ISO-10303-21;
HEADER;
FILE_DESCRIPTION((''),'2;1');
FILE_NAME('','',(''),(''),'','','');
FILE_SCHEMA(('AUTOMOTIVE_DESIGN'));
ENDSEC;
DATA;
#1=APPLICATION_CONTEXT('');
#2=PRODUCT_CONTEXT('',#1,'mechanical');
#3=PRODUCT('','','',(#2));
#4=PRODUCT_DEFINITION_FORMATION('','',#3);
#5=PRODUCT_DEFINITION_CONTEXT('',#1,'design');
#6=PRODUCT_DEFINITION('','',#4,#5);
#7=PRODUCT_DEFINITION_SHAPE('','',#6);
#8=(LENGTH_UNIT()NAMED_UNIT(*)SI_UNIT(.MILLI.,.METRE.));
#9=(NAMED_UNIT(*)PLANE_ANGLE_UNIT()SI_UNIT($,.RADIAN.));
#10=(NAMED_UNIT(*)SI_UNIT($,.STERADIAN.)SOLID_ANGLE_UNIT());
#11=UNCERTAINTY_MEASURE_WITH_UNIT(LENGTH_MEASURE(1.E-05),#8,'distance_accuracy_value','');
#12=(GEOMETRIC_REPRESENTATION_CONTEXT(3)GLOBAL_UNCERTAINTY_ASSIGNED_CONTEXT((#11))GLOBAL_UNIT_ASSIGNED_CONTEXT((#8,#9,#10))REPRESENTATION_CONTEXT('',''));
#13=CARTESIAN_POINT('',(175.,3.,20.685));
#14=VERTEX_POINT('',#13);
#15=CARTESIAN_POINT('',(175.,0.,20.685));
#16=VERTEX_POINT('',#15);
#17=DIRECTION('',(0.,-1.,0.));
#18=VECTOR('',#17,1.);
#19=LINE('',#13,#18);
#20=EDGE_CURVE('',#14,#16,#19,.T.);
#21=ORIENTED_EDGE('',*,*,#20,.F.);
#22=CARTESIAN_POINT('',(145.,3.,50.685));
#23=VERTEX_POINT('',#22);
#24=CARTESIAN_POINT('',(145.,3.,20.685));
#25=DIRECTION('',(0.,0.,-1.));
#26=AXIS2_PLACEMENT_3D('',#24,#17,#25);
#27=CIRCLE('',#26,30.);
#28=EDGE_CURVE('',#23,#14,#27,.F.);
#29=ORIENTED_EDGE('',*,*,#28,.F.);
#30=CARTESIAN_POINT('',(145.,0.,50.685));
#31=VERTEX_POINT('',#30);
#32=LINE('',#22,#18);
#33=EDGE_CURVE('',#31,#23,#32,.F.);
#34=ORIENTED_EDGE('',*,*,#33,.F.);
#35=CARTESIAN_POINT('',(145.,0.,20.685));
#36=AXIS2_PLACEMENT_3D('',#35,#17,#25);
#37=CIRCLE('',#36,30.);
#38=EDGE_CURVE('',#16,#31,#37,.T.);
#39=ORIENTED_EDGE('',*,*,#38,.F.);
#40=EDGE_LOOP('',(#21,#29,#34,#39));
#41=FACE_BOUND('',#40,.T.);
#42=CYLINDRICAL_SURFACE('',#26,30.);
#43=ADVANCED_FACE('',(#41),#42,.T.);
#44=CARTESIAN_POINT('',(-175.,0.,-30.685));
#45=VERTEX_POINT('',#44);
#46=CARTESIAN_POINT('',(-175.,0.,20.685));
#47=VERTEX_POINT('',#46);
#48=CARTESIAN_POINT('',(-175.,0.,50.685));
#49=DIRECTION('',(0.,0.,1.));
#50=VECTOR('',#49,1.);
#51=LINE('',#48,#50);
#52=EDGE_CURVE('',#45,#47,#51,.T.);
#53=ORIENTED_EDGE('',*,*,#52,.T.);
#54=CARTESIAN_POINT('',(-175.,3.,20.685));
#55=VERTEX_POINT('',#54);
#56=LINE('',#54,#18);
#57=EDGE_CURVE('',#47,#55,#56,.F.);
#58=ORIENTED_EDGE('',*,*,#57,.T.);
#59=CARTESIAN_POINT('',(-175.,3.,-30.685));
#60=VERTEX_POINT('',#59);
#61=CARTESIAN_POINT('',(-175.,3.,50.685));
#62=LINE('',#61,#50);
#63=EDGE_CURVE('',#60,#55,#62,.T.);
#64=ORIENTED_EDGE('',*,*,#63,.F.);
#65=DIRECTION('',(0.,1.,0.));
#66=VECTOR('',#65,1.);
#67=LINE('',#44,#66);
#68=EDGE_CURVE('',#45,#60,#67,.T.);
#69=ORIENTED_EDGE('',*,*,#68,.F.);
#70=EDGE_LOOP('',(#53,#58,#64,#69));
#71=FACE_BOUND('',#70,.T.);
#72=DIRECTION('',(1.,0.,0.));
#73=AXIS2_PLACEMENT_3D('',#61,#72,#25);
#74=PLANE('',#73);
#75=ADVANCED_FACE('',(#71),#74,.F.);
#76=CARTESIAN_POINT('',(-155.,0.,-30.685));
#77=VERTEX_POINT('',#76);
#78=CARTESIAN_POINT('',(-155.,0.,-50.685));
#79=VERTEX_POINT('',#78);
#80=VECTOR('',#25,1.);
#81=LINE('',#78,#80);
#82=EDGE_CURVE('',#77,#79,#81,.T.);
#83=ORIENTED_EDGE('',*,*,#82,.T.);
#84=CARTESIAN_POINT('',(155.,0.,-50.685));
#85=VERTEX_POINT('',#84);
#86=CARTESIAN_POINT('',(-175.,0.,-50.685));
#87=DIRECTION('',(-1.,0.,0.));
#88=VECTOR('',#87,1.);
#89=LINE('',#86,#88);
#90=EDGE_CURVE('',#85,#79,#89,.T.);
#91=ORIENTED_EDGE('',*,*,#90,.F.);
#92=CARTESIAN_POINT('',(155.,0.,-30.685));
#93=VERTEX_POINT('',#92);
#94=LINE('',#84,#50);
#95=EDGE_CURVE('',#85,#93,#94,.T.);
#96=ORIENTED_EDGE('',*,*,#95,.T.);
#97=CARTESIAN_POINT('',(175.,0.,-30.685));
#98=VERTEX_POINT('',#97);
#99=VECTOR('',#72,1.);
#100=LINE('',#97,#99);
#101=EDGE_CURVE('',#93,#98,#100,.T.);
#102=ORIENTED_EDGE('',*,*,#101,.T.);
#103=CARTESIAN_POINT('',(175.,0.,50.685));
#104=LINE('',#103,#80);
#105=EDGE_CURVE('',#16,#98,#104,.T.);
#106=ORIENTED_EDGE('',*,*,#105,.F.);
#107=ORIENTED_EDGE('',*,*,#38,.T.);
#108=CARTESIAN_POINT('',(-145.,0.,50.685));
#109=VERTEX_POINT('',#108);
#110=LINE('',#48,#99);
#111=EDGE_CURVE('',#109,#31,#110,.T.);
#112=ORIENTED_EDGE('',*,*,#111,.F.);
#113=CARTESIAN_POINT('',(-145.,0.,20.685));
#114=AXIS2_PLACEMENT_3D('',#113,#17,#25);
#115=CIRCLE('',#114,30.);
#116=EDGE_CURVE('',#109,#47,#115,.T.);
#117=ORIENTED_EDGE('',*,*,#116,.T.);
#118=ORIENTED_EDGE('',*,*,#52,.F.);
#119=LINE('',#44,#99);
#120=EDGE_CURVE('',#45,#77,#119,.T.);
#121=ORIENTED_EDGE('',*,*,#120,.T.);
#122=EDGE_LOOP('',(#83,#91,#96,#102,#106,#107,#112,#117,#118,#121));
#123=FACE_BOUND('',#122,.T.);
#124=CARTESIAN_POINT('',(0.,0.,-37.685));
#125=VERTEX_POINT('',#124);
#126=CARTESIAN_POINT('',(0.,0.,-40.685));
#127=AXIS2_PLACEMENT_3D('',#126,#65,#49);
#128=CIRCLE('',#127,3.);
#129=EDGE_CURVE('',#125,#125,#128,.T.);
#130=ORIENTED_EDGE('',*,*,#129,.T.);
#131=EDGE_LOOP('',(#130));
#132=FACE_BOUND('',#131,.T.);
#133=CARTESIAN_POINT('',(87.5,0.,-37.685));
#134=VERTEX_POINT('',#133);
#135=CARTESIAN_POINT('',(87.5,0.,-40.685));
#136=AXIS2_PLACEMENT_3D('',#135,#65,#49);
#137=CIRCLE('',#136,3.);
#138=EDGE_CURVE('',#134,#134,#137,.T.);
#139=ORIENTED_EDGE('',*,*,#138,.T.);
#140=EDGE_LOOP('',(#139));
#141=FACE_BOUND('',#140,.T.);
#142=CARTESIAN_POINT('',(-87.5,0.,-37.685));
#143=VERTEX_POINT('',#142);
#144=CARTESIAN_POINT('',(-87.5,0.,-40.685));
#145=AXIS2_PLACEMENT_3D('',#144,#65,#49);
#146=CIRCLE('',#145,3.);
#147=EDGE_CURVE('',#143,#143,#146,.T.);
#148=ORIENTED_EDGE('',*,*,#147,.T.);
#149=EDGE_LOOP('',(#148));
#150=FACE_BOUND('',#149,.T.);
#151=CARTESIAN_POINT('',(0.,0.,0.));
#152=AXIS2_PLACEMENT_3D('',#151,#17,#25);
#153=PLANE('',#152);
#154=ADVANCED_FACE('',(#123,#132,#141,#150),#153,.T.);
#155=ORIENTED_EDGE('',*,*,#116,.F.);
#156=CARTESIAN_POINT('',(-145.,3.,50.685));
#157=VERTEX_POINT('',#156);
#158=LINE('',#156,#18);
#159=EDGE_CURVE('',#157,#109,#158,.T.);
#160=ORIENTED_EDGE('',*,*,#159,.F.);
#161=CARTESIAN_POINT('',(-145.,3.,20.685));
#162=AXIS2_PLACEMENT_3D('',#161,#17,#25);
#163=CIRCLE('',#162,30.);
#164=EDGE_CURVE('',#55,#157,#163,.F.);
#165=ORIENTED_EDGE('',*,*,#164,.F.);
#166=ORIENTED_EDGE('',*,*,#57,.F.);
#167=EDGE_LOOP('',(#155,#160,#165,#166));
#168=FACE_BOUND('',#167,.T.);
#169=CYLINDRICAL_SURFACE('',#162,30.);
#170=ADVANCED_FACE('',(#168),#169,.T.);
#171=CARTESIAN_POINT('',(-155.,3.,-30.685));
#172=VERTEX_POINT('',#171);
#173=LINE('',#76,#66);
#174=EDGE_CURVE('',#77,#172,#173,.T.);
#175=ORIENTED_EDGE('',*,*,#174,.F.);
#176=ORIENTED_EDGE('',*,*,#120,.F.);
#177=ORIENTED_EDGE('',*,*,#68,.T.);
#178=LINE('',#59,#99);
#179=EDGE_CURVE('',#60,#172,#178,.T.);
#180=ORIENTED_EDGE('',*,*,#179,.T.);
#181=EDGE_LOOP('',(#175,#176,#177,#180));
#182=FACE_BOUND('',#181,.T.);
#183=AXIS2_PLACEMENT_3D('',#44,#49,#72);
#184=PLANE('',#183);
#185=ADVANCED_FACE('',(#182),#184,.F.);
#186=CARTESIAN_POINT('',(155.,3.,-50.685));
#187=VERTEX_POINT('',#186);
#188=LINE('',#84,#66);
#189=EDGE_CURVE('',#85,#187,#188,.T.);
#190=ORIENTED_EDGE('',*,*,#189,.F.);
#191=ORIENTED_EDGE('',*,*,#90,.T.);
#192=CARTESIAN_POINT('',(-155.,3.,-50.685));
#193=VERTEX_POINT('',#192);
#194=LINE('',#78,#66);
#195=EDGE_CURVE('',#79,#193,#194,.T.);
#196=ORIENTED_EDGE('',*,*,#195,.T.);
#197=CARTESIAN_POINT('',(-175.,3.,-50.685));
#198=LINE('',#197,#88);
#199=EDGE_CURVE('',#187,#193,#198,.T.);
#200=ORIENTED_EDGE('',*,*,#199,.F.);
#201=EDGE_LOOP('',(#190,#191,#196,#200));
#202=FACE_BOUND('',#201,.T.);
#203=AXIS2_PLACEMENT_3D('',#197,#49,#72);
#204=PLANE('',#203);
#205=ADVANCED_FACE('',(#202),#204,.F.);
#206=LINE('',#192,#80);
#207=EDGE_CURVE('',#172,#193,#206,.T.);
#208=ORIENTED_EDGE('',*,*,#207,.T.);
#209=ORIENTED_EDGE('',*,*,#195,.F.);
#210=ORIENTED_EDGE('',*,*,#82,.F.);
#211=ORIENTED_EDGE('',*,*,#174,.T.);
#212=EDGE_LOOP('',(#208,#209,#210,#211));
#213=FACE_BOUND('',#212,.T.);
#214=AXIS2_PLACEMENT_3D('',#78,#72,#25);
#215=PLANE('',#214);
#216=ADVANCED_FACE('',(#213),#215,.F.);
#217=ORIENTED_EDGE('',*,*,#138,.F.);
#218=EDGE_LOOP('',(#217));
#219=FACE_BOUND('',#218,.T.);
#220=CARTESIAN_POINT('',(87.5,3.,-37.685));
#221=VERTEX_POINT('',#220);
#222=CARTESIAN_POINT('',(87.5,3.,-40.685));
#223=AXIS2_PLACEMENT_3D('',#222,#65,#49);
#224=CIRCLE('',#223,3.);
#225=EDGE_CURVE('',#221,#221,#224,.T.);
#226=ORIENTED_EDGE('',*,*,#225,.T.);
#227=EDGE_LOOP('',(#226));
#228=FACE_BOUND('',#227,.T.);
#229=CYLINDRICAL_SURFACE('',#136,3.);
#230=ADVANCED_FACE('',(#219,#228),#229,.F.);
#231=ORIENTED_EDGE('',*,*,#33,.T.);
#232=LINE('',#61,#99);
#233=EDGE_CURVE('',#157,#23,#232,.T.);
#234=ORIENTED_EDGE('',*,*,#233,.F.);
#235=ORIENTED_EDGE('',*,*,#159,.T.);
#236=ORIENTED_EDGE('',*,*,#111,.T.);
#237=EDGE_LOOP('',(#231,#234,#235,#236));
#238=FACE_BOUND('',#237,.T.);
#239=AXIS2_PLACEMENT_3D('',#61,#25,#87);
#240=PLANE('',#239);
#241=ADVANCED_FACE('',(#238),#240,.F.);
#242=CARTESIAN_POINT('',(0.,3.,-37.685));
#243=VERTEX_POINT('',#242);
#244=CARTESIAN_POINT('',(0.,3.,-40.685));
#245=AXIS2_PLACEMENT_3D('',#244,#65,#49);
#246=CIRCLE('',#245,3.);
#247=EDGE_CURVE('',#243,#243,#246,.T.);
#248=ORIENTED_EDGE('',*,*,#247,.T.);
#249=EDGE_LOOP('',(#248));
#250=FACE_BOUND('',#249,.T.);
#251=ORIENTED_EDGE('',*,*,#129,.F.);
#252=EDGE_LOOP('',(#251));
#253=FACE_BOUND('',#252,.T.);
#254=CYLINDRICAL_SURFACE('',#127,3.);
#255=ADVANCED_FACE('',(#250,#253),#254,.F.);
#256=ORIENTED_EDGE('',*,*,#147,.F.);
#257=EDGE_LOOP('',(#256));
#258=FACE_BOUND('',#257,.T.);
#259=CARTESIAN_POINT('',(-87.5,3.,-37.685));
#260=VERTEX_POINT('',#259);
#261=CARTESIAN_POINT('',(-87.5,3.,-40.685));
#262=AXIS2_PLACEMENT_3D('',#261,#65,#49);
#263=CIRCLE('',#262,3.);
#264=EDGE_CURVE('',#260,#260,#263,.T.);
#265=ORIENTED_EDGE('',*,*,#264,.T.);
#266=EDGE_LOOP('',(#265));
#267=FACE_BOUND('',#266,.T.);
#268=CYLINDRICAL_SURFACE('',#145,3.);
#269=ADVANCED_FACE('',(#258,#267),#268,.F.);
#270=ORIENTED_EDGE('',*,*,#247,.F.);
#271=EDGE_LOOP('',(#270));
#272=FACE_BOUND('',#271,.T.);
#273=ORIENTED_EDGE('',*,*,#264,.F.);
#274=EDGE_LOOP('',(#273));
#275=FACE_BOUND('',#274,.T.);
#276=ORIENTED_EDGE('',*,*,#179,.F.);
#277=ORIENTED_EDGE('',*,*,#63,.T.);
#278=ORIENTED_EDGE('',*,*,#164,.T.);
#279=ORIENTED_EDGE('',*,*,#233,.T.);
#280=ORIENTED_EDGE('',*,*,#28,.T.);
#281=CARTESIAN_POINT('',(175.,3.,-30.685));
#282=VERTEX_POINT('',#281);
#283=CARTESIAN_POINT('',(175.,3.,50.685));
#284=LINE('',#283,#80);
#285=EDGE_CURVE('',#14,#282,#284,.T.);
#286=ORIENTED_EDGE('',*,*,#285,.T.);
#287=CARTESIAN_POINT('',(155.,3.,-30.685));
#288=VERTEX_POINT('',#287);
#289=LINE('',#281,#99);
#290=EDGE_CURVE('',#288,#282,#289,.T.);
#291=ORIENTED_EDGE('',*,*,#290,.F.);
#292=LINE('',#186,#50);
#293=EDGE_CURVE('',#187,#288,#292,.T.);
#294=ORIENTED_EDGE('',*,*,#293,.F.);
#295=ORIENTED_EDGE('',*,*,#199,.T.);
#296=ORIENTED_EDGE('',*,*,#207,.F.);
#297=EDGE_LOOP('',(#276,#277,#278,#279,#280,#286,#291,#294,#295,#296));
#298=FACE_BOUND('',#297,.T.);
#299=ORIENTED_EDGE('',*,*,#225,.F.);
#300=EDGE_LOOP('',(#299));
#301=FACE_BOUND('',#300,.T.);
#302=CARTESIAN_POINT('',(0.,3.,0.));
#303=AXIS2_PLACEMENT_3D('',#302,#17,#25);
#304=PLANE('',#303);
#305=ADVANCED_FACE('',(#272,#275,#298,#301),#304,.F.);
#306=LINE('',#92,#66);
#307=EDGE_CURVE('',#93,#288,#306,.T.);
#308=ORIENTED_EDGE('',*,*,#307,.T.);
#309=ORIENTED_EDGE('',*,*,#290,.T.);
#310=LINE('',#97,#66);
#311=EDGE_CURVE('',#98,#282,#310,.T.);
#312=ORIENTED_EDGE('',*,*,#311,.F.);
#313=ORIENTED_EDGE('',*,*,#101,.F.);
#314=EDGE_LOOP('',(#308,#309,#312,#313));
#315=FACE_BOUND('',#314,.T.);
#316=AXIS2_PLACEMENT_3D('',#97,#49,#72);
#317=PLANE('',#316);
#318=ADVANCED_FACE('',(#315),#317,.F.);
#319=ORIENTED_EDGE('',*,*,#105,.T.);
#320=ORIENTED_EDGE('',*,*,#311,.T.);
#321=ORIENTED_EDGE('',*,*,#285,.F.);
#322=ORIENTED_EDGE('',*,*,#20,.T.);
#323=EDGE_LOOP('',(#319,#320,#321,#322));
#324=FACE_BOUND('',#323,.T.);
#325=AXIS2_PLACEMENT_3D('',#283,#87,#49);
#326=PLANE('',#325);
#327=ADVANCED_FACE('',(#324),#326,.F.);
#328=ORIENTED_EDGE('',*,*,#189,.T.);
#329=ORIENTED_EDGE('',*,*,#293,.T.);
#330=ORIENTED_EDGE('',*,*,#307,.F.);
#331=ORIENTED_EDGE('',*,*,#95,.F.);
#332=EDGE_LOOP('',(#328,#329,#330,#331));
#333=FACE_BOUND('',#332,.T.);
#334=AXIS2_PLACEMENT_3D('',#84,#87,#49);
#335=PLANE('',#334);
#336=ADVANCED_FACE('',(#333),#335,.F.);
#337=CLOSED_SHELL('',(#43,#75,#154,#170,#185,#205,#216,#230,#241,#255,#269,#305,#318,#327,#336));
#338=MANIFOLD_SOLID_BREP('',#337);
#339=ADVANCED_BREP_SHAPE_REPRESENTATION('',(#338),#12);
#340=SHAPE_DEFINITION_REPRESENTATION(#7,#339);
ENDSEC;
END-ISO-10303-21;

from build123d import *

# Parameters (mm, degrees)
SKETCH_1_W          = 350
SKETCH_1_H          = 101.37
EXTRUDE_1_DEPTH     = 3
SKETCH_2_R          = 3
SKETCH_2_W          = 20
SKETCH_2_H          = 20
CUT_EXTRUDE_1_DEPTH = 183.21681927
FILLET_1_R          = 30


with BuildPart() as part:
    # 草圖1 → 填料-伸長1 (new body)
    with BuildSketch(Plane(origin=(0, 0, 0), x_dir=(1, 0, 0), z_dir=(0, 1, 0))):
        Rectangle(SKETCH_1_W, SKETCH_1_H)
    extrude(amount=EXTRUDE_1_DEPTH)

    # 草圖2 → 除料-伸長1 (cut, through all)
    with BuildSketch(Plane(origin=(0, 3, 0), x_dir=(1, 0, 0), z_dir=(0, 1, 0))):
        with Locations(Location((-87.5, 40.685, 0), (0, 0, 270))):
            Circle(SKETCH_2_R)
        with Locations(Location((0, 40.685, 0), (0, 0, 270))):
            Circle(SKETCH_2_R)
        with Locations(Location((87.5, 40.685, 0), (0, 0, 270))):
            Circle(SKETCH_2_R)
        with Locations((-165, 40.685)):
            Rectangle(SKETCH_2_W, SKETCH_2_H)
        with Locations((165, 40.685)):
            Rectangle(SKETCH_2_W, SKETCH_2_H)
    extrude(amount=-CUT_EXTRUDE_1_DEPTH, mode=Mode.SUBTRACT)

    # 圓角1
    fillet_1_edges = [part.edges().sort_by_distance(p)[0] for p in [
        (175, 1.5, 50.685),
        (-175, 1.5, 50.685),
    ]]
    fillet(fillet_1_edges, radius=FILLET_1_R)


solid = part.part
